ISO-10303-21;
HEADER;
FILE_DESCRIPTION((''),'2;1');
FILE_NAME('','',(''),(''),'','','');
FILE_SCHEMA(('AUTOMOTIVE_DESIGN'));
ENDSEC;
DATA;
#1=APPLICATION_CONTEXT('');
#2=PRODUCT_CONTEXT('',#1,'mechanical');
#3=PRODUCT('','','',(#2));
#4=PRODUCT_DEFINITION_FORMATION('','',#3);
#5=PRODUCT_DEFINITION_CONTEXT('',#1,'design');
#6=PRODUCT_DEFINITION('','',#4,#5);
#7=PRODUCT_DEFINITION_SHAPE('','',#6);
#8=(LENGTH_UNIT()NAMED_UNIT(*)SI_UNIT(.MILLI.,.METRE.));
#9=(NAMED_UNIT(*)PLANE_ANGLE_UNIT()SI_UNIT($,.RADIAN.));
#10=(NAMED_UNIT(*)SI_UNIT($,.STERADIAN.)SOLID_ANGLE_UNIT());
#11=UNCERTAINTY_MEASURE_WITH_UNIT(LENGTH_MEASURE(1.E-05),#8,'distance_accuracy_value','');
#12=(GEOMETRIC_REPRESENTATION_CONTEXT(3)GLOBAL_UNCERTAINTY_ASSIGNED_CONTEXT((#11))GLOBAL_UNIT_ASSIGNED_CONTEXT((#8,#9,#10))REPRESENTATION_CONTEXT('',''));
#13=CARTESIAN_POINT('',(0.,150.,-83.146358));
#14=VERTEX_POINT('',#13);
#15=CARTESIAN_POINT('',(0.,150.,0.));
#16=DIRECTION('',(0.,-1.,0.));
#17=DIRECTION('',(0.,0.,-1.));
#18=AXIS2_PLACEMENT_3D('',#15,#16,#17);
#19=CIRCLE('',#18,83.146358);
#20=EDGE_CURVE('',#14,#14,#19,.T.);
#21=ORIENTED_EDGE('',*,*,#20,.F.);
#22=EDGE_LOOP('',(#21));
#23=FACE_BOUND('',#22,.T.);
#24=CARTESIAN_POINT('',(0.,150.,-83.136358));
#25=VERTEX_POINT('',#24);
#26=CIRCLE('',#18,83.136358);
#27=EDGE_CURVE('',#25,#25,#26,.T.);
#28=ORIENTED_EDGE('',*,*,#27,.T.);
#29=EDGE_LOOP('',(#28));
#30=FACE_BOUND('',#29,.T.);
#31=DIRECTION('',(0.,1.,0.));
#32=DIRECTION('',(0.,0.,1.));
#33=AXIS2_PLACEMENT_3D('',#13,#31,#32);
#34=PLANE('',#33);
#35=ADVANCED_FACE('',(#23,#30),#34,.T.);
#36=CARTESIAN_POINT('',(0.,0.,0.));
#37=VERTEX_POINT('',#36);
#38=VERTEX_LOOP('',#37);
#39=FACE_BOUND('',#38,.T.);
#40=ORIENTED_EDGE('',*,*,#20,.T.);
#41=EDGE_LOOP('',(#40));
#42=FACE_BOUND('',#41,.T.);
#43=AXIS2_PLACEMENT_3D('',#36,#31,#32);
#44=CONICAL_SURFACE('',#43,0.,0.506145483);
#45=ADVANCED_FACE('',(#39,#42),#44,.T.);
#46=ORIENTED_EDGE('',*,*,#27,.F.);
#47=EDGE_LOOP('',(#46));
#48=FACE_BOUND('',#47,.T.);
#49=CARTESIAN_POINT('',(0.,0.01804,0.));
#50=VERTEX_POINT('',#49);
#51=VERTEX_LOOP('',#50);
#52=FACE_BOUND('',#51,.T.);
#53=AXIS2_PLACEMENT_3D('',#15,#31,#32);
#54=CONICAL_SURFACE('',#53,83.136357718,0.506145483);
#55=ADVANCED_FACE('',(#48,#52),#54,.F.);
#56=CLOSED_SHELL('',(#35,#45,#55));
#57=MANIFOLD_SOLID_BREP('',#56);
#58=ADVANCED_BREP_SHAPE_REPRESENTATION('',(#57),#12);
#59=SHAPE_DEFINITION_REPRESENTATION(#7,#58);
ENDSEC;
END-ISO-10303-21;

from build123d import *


with BuildPart() as part:
    # 草图2 → 旋转1 (revolve)
    with BuildSketch(Plane(origin=(0, 0, 0), x_dir=(0, 0, -1), z_dir=(1, 0, 0))):
        Polygon((0, 0), (83.146357718, 150), (83.136357718, 150), (0, 0.018040478), align=None)
    revolve(axis=Axis((0, 0, 0), (0, 1, 0)))


solid = part.part
